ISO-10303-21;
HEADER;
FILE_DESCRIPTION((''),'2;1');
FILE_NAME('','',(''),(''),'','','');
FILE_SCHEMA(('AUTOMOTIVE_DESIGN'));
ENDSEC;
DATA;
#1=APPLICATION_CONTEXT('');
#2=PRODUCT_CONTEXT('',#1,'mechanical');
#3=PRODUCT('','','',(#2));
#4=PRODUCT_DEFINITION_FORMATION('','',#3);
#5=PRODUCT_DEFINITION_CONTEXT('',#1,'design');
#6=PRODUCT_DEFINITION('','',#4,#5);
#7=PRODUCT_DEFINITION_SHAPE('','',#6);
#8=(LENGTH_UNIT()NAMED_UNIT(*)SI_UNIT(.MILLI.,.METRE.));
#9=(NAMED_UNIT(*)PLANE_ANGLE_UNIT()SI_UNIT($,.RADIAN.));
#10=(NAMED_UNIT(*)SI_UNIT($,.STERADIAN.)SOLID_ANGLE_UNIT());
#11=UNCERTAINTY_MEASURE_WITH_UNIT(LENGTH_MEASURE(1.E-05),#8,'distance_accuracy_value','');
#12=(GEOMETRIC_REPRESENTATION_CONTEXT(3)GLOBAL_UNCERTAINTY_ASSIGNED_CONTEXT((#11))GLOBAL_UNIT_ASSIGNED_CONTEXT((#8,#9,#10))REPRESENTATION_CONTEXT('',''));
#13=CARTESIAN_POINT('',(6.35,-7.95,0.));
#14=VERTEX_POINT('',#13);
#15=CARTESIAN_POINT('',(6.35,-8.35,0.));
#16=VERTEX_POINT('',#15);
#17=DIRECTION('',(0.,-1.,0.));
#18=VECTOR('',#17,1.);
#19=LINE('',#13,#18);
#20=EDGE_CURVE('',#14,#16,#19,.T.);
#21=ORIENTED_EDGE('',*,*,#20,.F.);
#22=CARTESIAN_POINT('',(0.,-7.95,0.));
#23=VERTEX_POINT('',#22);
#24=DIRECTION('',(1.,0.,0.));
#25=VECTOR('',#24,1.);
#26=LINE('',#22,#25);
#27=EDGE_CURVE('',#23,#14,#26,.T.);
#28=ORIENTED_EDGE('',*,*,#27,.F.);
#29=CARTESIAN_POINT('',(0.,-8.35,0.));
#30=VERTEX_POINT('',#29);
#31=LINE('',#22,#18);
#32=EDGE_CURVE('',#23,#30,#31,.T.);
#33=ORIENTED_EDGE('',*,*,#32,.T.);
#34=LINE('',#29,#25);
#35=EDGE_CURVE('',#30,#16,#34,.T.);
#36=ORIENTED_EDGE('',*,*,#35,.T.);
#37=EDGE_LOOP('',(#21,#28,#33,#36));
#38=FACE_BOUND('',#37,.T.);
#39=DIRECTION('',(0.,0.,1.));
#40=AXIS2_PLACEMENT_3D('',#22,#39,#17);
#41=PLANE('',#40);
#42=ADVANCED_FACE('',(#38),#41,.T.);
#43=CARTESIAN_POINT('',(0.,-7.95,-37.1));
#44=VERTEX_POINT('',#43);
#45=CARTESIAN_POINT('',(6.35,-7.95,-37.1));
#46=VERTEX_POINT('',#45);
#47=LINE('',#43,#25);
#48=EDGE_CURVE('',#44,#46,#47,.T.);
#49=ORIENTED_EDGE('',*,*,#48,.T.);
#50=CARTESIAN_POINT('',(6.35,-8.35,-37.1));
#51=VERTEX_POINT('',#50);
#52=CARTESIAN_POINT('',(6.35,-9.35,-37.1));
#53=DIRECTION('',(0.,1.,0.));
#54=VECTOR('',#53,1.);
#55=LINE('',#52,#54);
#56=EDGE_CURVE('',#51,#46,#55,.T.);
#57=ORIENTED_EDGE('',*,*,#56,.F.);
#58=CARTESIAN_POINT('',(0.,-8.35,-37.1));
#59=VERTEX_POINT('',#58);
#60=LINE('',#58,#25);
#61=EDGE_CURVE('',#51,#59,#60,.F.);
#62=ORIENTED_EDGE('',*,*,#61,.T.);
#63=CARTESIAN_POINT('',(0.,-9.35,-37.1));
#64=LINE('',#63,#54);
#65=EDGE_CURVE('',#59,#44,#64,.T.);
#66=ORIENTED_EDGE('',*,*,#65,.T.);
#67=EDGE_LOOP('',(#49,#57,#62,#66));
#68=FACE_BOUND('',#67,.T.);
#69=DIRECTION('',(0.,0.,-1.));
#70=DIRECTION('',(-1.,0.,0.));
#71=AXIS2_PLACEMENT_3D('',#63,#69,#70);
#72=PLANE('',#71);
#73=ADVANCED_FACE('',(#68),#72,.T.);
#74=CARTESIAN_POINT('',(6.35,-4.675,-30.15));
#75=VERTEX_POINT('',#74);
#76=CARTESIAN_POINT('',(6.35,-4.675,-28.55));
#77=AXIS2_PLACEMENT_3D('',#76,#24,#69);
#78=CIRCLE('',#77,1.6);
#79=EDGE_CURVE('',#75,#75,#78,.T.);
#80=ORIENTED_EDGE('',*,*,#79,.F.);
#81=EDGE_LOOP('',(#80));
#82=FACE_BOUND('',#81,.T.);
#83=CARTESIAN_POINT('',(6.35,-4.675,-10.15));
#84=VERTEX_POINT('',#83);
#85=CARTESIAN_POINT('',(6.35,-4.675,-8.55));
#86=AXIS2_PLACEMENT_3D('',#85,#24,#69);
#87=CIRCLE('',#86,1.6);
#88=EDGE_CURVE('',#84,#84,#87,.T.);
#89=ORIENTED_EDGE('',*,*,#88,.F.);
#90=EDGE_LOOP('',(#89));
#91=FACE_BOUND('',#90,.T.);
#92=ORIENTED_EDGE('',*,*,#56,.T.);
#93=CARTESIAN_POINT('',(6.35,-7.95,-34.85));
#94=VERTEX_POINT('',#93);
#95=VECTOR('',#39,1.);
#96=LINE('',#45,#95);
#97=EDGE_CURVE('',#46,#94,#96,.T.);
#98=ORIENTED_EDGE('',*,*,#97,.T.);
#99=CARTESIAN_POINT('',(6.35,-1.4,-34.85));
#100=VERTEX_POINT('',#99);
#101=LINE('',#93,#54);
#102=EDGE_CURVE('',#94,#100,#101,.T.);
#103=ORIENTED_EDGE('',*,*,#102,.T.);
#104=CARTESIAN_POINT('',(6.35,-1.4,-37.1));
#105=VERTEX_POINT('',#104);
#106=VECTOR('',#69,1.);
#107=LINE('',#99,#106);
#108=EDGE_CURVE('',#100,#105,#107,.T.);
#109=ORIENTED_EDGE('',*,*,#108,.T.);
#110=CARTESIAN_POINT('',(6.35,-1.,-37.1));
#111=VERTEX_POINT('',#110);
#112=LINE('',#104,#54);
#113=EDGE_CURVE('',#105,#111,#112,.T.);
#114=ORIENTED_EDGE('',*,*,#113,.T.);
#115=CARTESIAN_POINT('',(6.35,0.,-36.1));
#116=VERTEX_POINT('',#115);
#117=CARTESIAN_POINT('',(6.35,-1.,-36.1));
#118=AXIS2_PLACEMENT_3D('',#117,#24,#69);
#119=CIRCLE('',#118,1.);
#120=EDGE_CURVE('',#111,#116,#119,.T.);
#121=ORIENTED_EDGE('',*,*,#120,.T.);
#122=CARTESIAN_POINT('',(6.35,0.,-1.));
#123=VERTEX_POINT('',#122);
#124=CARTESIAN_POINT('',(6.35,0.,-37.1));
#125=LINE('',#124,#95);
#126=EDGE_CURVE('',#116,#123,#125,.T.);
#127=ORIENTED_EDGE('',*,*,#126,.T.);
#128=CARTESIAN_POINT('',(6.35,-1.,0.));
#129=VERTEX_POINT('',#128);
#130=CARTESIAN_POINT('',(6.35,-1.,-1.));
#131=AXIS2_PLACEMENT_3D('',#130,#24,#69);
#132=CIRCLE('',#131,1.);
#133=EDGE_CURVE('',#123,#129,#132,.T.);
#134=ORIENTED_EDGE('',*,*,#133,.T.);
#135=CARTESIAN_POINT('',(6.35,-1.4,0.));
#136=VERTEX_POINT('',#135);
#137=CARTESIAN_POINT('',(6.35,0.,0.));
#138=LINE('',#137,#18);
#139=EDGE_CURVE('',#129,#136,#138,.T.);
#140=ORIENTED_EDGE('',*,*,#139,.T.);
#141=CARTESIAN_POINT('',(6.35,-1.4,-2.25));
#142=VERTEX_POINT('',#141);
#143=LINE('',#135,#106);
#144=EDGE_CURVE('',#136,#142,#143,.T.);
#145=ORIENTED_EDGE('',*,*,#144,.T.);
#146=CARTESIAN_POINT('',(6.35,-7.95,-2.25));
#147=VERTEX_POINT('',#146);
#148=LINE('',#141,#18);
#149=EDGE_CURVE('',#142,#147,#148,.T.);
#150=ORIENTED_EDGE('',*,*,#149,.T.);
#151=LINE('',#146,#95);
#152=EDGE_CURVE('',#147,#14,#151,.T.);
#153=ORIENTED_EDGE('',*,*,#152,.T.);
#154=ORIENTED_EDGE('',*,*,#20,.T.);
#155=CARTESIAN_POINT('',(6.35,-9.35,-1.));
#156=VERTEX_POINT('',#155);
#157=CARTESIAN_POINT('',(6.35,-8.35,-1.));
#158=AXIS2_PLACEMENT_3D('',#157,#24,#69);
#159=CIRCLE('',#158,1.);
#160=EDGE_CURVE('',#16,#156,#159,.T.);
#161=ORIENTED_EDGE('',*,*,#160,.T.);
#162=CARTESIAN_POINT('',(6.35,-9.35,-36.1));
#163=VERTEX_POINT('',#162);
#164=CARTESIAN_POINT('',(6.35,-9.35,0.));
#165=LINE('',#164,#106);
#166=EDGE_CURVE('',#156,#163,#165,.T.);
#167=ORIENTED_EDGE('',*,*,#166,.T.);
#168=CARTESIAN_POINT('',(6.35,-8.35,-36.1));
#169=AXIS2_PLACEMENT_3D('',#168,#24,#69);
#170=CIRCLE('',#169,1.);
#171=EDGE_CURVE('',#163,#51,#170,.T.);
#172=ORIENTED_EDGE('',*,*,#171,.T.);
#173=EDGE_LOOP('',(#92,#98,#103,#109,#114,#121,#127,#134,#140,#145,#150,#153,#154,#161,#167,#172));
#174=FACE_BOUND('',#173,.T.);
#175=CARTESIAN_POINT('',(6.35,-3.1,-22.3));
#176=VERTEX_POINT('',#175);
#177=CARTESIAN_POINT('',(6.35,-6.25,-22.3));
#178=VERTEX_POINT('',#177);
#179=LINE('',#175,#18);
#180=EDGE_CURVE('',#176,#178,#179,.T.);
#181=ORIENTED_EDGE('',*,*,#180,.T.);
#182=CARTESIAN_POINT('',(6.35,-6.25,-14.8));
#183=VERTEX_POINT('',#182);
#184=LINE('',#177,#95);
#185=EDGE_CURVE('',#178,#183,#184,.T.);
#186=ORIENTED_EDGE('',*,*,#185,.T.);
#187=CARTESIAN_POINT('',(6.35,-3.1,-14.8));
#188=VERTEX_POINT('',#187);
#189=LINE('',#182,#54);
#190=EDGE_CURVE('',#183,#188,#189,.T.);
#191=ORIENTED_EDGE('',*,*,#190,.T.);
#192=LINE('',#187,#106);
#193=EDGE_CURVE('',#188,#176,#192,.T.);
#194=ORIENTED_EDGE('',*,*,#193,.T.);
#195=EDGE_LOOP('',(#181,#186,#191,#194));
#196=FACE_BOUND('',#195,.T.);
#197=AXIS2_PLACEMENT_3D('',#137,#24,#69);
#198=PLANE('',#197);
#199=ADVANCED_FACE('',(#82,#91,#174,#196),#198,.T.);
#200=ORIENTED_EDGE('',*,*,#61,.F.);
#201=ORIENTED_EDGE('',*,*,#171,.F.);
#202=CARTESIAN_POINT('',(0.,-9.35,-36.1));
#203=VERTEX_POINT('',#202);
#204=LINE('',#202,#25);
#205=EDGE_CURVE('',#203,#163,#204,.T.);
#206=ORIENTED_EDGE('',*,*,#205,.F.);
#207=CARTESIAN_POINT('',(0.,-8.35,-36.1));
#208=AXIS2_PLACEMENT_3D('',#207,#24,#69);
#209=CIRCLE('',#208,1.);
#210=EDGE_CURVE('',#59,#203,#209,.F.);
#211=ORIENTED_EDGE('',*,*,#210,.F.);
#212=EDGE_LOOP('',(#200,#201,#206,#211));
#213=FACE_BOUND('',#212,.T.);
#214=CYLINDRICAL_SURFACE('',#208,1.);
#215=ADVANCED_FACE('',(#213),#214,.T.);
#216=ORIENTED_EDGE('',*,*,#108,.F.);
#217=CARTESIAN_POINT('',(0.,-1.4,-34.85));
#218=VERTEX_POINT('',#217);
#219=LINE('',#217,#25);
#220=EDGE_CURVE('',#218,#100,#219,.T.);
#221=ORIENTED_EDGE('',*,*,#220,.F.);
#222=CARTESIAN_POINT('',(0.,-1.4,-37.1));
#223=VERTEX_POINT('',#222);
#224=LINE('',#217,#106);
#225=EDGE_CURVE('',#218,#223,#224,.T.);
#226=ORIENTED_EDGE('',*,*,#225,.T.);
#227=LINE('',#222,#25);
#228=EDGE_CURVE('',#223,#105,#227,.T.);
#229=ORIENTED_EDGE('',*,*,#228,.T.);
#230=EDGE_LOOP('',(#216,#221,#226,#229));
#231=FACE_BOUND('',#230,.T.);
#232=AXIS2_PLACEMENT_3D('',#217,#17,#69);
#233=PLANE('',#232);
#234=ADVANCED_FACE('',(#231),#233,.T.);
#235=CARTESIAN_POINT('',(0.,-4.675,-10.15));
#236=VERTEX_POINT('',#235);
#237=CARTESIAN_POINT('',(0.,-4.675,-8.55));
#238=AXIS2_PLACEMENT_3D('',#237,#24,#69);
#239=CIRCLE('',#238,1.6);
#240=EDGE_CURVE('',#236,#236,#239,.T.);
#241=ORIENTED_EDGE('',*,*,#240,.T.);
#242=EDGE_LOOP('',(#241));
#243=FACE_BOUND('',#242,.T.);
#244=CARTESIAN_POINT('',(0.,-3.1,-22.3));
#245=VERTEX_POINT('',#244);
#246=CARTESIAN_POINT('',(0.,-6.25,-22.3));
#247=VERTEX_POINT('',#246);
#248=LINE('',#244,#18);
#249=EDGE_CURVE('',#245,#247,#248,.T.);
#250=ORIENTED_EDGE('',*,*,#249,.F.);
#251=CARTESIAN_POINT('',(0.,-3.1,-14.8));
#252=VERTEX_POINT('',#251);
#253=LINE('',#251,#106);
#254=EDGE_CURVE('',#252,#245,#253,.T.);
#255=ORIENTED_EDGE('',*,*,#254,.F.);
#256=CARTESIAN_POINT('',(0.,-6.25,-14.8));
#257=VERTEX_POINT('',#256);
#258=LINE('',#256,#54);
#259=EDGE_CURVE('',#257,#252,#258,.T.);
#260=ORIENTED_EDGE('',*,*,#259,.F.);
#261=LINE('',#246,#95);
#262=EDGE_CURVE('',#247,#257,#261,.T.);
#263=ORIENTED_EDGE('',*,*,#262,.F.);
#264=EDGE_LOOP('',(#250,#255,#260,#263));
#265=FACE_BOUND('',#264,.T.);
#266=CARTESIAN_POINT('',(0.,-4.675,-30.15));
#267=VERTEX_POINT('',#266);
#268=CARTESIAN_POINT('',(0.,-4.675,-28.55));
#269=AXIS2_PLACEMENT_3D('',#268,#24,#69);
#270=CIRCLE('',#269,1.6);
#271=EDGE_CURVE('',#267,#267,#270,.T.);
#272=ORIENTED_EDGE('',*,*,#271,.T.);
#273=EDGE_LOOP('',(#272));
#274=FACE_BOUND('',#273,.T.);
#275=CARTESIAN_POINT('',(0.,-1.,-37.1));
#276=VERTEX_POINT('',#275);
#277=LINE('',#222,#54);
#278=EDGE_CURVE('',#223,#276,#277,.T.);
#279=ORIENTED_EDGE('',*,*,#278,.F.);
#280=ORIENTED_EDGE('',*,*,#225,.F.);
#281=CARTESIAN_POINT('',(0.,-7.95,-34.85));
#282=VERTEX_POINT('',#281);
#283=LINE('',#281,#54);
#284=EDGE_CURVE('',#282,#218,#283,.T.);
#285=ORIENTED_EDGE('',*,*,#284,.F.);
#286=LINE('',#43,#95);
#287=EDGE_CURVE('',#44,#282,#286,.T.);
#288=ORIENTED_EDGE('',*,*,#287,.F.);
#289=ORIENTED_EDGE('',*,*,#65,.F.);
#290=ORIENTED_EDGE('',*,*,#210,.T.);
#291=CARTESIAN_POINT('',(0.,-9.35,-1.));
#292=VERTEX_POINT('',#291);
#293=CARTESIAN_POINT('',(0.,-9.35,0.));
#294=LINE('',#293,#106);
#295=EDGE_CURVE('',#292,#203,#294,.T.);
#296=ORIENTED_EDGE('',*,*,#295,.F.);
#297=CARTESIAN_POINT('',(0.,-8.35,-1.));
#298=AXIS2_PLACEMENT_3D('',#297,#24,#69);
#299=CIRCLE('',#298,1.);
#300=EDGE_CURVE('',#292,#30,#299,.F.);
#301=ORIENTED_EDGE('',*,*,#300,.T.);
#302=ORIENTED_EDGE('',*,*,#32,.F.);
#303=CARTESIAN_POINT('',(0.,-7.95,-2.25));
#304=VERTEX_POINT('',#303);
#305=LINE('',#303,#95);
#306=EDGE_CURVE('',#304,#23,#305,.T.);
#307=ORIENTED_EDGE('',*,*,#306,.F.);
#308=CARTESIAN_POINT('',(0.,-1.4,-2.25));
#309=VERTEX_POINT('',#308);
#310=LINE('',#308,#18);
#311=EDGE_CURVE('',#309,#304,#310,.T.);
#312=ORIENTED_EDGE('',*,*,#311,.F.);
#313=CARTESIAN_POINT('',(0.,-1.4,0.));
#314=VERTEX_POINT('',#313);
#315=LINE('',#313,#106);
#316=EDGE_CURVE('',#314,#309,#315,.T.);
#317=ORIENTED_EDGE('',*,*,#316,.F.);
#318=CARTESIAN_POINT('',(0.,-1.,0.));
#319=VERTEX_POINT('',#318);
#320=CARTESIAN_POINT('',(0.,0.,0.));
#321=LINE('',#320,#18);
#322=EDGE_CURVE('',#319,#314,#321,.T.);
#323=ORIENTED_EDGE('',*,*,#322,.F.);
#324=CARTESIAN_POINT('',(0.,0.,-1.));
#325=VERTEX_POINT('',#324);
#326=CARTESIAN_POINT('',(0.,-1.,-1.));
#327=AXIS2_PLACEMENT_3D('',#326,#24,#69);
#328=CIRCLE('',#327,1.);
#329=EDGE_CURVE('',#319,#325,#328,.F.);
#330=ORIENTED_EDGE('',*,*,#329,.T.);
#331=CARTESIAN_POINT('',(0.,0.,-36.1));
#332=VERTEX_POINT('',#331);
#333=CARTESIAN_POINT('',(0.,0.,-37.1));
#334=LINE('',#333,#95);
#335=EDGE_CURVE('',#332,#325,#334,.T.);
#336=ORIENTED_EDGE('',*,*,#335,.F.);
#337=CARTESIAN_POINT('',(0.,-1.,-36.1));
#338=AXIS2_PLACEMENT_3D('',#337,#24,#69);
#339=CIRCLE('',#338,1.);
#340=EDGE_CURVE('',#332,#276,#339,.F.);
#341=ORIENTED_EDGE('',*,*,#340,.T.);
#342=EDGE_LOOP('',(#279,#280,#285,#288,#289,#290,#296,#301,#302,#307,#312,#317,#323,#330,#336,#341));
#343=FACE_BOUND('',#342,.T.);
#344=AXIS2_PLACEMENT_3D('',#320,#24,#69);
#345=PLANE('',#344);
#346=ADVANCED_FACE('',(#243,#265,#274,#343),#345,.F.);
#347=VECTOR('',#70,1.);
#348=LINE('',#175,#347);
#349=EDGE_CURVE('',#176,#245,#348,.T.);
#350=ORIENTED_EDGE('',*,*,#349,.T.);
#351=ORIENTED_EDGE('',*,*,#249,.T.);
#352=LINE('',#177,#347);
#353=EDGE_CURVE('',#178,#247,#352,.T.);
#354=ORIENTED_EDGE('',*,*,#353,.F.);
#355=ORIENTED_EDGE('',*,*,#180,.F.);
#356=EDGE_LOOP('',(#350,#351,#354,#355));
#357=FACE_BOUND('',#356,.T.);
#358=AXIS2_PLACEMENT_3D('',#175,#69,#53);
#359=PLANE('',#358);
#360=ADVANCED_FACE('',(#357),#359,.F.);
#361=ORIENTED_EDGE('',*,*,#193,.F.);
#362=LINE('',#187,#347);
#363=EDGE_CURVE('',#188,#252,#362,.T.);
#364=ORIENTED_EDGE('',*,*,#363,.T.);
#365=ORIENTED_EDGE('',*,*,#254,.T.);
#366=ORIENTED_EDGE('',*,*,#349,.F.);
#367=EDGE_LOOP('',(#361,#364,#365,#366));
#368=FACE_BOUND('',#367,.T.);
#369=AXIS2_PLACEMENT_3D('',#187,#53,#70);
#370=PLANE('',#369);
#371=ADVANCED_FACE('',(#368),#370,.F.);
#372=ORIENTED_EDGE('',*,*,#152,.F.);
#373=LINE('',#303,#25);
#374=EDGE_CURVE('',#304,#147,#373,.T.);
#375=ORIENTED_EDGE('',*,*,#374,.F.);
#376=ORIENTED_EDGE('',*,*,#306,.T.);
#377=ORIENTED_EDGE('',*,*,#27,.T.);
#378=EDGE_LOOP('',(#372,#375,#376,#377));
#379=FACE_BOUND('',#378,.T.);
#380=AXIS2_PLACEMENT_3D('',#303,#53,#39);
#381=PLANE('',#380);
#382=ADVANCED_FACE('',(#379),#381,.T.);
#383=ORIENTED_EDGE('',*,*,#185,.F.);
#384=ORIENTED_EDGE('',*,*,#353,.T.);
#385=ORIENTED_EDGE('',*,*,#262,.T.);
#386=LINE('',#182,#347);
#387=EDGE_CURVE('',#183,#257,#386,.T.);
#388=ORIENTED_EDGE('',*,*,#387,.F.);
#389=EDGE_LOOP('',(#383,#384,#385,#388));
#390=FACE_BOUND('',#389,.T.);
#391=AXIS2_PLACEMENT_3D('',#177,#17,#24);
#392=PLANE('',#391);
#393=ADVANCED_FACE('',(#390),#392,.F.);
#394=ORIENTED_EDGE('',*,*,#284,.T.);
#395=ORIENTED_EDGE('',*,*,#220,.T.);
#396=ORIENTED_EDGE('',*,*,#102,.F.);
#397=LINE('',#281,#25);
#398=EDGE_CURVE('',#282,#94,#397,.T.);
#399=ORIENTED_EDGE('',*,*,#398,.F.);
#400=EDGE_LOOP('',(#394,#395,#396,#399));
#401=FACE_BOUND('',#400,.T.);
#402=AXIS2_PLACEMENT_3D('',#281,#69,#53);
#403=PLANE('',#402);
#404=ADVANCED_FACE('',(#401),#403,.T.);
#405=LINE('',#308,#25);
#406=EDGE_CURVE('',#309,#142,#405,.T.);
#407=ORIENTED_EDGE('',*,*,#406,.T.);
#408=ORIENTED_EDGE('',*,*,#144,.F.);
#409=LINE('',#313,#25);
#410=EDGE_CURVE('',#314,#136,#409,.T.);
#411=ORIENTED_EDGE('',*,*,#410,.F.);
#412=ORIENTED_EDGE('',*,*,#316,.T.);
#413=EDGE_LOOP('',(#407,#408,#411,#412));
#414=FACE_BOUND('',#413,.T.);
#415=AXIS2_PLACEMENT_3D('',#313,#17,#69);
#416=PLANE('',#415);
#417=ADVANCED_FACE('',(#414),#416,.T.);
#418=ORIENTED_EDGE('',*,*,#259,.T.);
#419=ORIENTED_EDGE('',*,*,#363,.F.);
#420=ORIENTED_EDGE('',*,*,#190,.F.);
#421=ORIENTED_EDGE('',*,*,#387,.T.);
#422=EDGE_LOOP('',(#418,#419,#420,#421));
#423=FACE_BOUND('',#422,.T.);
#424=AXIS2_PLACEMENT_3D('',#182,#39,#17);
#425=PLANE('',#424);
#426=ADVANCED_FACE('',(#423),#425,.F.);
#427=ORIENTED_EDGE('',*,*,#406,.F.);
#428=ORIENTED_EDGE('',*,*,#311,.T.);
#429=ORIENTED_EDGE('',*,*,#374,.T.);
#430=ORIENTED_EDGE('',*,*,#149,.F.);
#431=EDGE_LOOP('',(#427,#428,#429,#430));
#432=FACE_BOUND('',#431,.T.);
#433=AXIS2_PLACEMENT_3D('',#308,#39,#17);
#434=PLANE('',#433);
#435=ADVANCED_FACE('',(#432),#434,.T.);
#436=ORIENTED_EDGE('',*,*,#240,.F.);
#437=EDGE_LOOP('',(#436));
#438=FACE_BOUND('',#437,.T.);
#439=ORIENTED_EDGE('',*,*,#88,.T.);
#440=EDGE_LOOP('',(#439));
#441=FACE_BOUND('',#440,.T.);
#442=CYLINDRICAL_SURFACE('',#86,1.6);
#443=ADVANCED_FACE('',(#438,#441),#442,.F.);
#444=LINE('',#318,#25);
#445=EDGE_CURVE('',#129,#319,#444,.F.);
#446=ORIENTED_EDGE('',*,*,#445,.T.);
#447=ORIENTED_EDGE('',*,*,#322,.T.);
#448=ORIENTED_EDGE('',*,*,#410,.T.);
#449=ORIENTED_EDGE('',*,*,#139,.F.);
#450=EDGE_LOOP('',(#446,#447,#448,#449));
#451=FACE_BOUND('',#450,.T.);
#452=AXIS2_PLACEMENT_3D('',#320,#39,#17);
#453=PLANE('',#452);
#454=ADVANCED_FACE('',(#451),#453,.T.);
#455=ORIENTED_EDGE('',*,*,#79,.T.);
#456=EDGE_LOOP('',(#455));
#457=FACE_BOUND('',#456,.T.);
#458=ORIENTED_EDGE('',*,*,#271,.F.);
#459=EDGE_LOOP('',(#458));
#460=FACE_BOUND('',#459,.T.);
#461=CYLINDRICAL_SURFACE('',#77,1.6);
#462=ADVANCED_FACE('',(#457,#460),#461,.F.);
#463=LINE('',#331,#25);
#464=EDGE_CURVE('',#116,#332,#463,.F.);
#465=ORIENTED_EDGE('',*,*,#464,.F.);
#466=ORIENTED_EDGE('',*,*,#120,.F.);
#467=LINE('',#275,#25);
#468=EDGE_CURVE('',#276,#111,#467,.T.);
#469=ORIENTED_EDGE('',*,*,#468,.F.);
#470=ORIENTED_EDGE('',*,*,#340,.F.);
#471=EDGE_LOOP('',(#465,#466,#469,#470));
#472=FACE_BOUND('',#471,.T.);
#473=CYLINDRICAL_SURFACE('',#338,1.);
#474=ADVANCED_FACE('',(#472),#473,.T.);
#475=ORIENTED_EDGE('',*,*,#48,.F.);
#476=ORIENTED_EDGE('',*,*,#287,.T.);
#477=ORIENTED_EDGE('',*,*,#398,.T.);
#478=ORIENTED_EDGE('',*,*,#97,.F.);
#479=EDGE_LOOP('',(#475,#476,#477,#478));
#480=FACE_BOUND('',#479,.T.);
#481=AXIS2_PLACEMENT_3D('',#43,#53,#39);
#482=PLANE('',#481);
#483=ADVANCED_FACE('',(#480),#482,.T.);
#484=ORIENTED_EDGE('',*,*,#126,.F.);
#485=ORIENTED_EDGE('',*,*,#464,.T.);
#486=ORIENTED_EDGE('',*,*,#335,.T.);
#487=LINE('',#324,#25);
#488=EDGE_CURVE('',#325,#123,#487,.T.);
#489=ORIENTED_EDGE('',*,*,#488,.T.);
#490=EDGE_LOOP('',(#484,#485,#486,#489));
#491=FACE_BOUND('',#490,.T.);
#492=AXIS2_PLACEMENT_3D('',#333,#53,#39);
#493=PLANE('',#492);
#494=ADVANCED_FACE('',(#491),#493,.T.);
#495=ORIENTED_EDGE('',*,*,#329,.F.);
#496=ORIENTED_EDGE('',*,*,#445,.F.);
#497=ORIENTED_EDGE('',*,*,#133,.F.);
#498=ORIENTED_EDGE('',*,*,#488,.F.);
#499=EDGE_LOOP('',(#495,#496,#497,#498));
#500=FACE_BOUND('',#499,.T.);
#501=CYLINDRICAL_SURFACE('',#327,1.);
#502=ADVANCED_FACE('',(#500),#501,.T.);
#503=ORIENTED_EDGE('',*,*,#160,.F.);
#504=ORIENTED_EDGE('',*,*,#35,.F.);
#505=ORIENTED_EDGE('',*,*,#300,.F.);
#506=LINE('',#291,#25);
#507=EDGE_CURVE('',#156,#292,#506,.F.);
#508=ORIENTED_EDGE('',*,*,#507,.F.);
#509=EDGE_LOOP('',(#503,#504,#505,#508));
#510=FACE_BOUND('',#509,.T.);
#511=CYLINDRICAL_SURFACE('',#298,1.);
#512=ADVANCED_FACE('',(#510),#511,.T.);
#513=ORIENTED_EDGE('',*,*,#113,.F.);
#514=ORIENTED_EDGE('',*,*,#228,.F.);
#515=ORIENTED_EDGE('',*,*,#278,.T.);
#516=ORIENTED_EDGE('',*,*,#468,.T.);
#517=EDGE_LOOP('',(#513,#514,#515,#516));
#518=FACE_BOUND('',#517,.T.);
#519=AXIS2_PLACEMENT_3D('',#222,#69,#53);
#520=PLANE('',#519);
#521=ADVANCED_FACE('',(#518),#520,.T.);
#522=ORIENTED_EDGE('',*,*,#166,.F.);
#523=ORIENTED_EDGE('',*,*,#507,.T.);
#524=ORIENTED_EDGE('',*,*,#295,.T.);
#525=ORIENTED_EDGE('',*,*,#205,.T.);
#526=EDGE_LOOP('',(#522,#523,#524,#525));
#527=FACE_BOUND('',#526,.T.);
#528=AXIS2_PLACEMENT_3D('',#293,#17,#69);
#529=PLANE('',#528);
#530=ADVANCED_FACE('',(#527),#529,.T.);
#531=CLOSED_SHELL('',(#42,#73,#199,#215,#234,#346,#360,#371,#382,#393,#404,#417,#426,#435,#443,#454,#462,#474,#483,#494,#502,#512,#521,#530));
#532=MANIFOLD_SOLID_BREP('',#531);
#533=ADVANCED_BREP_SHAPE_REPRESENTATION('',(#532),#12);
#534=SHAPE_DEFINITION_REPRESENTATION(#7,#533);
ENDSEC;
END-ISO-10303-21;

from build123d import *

# Parameters (mm, degrees)
BOSS_EXTRUDE1_DEPTH            = 6.35
FILLET1_R                      = 1
SKETCH2_W                      = 7.5
SKETCH2_H                      = 3.15
CUT_EXTRUDE1_DEPTH             = 7.35
F_3_2_3_2_DIAMETER_HOLE1_D     = 3.2
F_3_2_3_2_DIAMETER_HOLE1_DEPTH = 6.35
F_3_2_3_2_DIAMETER_HOLE2_D     = 3.2
F_3_2_3_2_DIAMETER_HOLE2_DEPTH = 6.35


with BuildPart() as part:
    # Sketch1 → Boss-Extrude1 (new body)
    with BuildSketch(Plane(origin=(6.35, 0, 0), x_dir=(0, 0, -1), z_dir=(1, 0, 0))):
        Polygon((37.1, -7.95), (34.85, -7.95), (34.85, -1.4), (37.1, -1.4), (37.1, 0), (0, 0), (0, -1.4), (2.25, -1.4), (2.25, -7.95), (0, -7.95), (0, -9.35), (37.1, -9.35), align=None)
    extrude(amount=-BOSS_EXTRUDE1_DEPTH)

    # Fillet1
    fillet1_edges = [part.edges().sort_by_distance(p)[0] for p in [
        (3.175, -9.35, -37.1),
        (3.175, -9.35, 0),
        (3.175, 0, 0),
        (3.175, 0, -37.1),
    ]]
    fillet(fillet1_edges, radius=FILLET1_R)

    # Sketch2 → Cut-Extrude1 (cut, through all)
    with BuildSketch(Plane.ZY):
        with Locations((-18.55, -4.675)):
            Rectangle(SKETCH2_W, SKETCH2_H)
    extrude(amount=-CUT_EXTRUDE1_DEPTH, mode=Mode.SUBTRACT)

    # Ø3.2 (3.2) Diameter Hole1
    with Locations(Plane(origin=(6.35, 0, 0), x_dir=(0, 0, -1), z_dir=(1, 0, 0))):
        with Locations((28.55, -4.675)):
            Hole(F_3_2_3_2_DIAMETER_HOLE1_D / 2, depth=F_3_2_3_2_DIAMETER_HOLE1_DEPTH)

    # Ø3.2 (3.2) Diameter Hole2
    with Locations(Plane(origin=(6.35, 0, 0), x_dir=(0, 0, -1), z_dir=(1, 0, 0))):
        with Locations((8.55, -4.675)):
            Hole(F_3_2_3_2_DIAMETER_HOLE2_D / 2, depth=F_3_2_3_2_DIAMETER_HOLE2_DEPTH)


solid = part.part
